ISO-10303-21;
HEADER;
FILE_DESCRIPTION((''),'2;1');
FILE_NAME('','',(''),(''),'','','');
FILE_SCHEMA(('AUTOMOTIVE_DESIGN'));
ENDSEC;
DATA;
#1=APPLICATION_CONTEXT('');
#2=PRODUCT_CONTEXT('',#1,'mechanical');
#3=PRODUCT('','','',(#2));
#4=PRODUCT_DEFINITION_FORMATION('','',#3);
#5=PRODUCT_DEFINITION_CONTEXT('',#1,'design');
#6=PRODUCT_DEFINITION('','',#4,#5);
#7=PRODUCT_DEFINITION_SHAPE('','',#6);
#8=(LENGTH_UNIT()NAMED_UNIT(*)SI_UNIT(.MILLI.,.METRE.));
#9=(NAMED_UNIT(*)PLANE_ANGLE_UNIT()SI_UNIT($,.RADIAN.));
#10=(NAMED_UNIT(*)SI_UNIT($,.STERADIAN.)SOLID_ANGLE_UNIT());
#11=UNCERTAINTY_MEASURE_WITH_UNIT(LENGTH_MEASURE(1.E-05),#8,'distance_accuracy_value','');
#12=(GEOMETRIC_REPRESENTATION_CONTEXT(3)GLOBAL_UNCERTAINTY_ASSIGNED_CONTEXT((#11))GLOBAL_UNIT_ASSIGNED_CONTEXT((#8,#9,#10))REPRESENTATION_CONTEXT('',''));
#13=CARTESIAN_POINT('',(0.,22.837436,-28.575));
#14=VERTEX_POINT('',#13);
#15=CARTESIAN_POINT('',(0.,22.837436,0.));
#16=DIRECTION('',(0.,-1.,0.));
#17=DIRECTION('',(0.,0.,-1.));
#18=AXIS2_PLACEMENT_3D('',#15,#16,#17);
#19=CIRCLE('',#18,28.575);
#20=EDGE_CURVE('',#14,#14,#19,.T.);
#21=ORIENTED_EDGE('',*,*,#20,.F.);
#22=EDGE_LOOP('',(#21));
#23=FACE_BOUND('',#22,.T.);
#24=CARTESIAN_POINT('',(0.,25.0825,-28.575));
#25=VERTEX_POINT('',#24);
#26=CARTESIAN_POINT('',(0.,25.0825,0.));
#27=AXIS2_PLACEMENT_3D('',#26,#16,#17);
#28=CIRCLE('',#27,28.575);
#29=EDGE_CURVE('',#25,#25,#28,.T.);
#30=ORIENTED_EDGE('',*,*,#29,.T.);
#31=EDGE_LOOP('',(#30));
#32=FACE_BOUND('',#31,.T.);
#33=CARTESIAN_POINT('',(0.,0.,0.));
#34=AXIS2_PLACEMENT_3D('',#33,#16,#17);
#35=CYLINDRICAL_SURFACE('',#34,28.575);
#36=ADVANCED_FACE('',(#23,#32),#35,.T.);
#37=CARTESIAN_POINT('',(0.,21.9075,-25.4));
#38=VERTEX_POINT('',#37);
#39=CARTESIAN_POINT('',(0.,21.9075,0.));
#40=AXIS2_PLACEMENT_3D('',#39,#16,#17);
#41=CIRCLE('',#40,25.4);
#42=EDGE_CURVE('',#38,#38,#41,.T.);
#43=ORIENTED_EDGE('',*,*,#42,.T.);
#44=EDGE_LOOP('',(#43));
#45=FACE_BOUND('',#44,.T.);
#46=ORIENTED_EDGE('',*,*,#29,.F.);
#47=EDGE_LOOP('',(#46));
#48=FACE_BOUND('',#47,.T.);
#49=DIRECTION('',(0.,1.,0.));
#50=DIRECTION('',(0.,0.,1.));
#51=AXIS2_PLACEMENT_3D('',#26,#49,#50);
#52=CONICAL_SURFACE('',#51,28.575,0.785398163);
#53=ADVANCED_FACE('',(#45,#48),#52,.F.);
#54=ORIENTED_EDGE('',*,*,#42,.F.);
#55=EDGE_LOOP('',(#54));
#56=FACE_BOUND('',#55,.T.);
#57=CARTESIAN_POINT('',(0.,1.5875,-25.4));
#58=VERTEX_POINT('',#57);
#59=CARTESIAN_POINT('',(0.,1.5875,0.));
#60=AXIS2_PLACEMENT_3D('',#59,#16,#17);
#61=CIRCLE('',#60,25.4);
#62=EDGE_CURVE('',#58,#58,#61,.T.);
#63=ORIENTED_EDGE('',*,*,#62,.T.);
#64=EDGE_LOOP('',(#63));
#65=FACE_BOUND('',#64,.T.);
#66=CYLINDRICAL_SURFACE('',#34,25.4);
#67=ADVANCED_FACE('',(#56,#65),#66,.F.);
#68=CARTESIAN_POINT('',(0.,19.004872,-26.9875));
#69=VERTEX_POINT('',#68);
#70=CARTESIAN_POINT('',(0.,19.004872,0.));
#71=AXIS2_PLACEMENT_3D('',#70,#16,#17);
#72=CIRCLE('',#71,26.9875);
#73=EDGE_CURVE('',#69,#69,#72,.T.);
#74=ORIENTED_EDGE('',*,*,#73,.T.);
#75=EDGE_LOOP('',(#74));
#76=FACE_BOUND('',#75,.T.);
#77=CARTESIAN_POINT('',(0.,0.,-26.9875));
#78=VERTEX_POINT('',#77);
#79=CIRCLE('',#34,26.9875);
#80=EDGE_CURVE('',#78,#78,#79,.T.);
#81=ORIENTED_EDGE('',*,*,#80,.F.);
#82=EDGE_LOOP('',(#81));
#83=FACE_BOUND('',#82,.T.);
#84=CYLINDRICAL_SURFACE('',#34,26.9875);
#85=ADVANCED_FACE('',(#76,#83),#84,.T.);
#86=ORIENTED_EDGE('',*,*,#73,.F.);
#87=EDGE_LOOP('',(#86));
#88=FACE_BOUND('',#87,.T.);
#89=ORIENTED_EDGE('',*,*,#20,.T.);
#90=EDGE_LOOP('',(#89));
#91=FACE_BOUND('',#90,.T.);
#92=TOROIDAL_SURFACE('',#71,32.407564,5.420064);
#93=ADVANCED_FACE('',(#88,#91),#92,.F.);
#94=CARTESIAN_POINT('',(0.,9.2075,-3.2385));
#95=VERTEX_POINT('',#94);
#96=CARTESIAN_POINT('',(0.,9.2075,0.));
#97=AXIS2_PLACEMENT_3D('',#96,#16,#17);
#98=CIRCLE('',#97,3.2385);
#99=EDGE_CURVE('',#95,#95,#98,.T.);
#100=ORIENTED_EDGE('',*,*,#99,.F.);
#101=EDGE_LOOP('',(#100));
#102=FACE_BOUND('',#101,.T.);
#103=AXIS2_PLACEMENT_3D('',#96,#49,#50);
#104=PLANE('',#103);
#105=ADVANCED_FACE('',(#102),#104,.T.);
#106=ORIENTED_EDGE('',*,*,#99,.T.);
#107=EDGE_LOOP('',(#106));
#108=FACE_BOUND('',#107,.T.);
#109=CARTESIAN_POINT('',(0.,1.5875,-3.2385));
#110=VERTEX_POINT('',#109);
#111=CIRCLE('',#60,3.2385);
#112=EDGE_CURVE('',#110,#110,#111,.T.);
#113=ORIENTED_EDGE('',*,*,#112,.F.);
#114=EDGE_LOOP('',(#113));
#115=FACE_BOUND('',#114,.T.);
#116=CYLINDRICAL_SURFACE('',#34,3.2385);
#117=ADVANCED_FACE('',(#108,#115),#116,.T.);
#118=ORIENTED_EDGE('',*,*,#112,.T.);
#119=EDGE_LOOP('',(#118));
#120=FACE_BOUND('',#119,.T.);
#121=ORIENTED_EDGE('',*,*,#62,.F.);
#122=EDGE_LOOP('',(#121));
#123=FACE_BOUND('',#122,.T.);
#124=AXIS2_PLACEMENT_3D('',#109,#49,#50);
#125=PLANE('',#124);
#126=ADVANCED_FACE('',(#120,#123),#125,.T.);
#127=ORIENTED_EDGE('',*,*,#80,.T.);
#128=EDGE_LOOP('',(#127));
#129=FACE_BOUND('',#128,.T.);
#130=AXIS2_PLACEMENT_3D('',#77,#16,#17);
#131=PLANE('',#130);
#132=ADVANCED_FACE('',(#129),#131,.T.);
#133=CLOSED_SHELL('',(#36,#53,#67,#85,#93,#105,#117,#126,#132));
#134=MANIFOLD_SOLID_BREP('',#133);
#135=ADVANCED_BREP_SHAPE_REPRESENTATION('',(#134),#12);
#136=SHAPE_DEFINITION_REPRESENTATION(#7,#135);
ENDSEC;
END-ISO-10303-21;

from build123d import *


with BuildPart() as part:
    # Sketch2 → Revolve1 (revolve)
    with BuildSketch(Plane(origin=(0, 0, 0), x_dir=(0, 0, -1), z_dir=(1, 0, 0))):
        with BuildLine():
            Line((0, 0), (0, 9.2075))
            Line((0, 9.2075), (3.2385, 9.2075))
            Line((3.2385, 9.2075), (3.2385, 1.5875))
            Line((3.2385, 1.5875), (25.4, 1.5875))
            Line((25.4, 1.5875), (25.4, 21.9075))
            Line((25.4, 21.9075), (28.575, 25.0825))
            Line((28.575, 25.0825), (28.575, 22.83743597))
            ThreePointArc((28.575, 22.83743597), (27.400077808, 21.079040646), (26.9875, 19.004871939))
            Line((26.9875, 19.004871939), (26.9875, 0))
            Line((26.9875, 0), (0, 0))
        make_face()
    revolve(axis=Axis((0, 0, 0), (0, 1, 0)))


solid = part.part
